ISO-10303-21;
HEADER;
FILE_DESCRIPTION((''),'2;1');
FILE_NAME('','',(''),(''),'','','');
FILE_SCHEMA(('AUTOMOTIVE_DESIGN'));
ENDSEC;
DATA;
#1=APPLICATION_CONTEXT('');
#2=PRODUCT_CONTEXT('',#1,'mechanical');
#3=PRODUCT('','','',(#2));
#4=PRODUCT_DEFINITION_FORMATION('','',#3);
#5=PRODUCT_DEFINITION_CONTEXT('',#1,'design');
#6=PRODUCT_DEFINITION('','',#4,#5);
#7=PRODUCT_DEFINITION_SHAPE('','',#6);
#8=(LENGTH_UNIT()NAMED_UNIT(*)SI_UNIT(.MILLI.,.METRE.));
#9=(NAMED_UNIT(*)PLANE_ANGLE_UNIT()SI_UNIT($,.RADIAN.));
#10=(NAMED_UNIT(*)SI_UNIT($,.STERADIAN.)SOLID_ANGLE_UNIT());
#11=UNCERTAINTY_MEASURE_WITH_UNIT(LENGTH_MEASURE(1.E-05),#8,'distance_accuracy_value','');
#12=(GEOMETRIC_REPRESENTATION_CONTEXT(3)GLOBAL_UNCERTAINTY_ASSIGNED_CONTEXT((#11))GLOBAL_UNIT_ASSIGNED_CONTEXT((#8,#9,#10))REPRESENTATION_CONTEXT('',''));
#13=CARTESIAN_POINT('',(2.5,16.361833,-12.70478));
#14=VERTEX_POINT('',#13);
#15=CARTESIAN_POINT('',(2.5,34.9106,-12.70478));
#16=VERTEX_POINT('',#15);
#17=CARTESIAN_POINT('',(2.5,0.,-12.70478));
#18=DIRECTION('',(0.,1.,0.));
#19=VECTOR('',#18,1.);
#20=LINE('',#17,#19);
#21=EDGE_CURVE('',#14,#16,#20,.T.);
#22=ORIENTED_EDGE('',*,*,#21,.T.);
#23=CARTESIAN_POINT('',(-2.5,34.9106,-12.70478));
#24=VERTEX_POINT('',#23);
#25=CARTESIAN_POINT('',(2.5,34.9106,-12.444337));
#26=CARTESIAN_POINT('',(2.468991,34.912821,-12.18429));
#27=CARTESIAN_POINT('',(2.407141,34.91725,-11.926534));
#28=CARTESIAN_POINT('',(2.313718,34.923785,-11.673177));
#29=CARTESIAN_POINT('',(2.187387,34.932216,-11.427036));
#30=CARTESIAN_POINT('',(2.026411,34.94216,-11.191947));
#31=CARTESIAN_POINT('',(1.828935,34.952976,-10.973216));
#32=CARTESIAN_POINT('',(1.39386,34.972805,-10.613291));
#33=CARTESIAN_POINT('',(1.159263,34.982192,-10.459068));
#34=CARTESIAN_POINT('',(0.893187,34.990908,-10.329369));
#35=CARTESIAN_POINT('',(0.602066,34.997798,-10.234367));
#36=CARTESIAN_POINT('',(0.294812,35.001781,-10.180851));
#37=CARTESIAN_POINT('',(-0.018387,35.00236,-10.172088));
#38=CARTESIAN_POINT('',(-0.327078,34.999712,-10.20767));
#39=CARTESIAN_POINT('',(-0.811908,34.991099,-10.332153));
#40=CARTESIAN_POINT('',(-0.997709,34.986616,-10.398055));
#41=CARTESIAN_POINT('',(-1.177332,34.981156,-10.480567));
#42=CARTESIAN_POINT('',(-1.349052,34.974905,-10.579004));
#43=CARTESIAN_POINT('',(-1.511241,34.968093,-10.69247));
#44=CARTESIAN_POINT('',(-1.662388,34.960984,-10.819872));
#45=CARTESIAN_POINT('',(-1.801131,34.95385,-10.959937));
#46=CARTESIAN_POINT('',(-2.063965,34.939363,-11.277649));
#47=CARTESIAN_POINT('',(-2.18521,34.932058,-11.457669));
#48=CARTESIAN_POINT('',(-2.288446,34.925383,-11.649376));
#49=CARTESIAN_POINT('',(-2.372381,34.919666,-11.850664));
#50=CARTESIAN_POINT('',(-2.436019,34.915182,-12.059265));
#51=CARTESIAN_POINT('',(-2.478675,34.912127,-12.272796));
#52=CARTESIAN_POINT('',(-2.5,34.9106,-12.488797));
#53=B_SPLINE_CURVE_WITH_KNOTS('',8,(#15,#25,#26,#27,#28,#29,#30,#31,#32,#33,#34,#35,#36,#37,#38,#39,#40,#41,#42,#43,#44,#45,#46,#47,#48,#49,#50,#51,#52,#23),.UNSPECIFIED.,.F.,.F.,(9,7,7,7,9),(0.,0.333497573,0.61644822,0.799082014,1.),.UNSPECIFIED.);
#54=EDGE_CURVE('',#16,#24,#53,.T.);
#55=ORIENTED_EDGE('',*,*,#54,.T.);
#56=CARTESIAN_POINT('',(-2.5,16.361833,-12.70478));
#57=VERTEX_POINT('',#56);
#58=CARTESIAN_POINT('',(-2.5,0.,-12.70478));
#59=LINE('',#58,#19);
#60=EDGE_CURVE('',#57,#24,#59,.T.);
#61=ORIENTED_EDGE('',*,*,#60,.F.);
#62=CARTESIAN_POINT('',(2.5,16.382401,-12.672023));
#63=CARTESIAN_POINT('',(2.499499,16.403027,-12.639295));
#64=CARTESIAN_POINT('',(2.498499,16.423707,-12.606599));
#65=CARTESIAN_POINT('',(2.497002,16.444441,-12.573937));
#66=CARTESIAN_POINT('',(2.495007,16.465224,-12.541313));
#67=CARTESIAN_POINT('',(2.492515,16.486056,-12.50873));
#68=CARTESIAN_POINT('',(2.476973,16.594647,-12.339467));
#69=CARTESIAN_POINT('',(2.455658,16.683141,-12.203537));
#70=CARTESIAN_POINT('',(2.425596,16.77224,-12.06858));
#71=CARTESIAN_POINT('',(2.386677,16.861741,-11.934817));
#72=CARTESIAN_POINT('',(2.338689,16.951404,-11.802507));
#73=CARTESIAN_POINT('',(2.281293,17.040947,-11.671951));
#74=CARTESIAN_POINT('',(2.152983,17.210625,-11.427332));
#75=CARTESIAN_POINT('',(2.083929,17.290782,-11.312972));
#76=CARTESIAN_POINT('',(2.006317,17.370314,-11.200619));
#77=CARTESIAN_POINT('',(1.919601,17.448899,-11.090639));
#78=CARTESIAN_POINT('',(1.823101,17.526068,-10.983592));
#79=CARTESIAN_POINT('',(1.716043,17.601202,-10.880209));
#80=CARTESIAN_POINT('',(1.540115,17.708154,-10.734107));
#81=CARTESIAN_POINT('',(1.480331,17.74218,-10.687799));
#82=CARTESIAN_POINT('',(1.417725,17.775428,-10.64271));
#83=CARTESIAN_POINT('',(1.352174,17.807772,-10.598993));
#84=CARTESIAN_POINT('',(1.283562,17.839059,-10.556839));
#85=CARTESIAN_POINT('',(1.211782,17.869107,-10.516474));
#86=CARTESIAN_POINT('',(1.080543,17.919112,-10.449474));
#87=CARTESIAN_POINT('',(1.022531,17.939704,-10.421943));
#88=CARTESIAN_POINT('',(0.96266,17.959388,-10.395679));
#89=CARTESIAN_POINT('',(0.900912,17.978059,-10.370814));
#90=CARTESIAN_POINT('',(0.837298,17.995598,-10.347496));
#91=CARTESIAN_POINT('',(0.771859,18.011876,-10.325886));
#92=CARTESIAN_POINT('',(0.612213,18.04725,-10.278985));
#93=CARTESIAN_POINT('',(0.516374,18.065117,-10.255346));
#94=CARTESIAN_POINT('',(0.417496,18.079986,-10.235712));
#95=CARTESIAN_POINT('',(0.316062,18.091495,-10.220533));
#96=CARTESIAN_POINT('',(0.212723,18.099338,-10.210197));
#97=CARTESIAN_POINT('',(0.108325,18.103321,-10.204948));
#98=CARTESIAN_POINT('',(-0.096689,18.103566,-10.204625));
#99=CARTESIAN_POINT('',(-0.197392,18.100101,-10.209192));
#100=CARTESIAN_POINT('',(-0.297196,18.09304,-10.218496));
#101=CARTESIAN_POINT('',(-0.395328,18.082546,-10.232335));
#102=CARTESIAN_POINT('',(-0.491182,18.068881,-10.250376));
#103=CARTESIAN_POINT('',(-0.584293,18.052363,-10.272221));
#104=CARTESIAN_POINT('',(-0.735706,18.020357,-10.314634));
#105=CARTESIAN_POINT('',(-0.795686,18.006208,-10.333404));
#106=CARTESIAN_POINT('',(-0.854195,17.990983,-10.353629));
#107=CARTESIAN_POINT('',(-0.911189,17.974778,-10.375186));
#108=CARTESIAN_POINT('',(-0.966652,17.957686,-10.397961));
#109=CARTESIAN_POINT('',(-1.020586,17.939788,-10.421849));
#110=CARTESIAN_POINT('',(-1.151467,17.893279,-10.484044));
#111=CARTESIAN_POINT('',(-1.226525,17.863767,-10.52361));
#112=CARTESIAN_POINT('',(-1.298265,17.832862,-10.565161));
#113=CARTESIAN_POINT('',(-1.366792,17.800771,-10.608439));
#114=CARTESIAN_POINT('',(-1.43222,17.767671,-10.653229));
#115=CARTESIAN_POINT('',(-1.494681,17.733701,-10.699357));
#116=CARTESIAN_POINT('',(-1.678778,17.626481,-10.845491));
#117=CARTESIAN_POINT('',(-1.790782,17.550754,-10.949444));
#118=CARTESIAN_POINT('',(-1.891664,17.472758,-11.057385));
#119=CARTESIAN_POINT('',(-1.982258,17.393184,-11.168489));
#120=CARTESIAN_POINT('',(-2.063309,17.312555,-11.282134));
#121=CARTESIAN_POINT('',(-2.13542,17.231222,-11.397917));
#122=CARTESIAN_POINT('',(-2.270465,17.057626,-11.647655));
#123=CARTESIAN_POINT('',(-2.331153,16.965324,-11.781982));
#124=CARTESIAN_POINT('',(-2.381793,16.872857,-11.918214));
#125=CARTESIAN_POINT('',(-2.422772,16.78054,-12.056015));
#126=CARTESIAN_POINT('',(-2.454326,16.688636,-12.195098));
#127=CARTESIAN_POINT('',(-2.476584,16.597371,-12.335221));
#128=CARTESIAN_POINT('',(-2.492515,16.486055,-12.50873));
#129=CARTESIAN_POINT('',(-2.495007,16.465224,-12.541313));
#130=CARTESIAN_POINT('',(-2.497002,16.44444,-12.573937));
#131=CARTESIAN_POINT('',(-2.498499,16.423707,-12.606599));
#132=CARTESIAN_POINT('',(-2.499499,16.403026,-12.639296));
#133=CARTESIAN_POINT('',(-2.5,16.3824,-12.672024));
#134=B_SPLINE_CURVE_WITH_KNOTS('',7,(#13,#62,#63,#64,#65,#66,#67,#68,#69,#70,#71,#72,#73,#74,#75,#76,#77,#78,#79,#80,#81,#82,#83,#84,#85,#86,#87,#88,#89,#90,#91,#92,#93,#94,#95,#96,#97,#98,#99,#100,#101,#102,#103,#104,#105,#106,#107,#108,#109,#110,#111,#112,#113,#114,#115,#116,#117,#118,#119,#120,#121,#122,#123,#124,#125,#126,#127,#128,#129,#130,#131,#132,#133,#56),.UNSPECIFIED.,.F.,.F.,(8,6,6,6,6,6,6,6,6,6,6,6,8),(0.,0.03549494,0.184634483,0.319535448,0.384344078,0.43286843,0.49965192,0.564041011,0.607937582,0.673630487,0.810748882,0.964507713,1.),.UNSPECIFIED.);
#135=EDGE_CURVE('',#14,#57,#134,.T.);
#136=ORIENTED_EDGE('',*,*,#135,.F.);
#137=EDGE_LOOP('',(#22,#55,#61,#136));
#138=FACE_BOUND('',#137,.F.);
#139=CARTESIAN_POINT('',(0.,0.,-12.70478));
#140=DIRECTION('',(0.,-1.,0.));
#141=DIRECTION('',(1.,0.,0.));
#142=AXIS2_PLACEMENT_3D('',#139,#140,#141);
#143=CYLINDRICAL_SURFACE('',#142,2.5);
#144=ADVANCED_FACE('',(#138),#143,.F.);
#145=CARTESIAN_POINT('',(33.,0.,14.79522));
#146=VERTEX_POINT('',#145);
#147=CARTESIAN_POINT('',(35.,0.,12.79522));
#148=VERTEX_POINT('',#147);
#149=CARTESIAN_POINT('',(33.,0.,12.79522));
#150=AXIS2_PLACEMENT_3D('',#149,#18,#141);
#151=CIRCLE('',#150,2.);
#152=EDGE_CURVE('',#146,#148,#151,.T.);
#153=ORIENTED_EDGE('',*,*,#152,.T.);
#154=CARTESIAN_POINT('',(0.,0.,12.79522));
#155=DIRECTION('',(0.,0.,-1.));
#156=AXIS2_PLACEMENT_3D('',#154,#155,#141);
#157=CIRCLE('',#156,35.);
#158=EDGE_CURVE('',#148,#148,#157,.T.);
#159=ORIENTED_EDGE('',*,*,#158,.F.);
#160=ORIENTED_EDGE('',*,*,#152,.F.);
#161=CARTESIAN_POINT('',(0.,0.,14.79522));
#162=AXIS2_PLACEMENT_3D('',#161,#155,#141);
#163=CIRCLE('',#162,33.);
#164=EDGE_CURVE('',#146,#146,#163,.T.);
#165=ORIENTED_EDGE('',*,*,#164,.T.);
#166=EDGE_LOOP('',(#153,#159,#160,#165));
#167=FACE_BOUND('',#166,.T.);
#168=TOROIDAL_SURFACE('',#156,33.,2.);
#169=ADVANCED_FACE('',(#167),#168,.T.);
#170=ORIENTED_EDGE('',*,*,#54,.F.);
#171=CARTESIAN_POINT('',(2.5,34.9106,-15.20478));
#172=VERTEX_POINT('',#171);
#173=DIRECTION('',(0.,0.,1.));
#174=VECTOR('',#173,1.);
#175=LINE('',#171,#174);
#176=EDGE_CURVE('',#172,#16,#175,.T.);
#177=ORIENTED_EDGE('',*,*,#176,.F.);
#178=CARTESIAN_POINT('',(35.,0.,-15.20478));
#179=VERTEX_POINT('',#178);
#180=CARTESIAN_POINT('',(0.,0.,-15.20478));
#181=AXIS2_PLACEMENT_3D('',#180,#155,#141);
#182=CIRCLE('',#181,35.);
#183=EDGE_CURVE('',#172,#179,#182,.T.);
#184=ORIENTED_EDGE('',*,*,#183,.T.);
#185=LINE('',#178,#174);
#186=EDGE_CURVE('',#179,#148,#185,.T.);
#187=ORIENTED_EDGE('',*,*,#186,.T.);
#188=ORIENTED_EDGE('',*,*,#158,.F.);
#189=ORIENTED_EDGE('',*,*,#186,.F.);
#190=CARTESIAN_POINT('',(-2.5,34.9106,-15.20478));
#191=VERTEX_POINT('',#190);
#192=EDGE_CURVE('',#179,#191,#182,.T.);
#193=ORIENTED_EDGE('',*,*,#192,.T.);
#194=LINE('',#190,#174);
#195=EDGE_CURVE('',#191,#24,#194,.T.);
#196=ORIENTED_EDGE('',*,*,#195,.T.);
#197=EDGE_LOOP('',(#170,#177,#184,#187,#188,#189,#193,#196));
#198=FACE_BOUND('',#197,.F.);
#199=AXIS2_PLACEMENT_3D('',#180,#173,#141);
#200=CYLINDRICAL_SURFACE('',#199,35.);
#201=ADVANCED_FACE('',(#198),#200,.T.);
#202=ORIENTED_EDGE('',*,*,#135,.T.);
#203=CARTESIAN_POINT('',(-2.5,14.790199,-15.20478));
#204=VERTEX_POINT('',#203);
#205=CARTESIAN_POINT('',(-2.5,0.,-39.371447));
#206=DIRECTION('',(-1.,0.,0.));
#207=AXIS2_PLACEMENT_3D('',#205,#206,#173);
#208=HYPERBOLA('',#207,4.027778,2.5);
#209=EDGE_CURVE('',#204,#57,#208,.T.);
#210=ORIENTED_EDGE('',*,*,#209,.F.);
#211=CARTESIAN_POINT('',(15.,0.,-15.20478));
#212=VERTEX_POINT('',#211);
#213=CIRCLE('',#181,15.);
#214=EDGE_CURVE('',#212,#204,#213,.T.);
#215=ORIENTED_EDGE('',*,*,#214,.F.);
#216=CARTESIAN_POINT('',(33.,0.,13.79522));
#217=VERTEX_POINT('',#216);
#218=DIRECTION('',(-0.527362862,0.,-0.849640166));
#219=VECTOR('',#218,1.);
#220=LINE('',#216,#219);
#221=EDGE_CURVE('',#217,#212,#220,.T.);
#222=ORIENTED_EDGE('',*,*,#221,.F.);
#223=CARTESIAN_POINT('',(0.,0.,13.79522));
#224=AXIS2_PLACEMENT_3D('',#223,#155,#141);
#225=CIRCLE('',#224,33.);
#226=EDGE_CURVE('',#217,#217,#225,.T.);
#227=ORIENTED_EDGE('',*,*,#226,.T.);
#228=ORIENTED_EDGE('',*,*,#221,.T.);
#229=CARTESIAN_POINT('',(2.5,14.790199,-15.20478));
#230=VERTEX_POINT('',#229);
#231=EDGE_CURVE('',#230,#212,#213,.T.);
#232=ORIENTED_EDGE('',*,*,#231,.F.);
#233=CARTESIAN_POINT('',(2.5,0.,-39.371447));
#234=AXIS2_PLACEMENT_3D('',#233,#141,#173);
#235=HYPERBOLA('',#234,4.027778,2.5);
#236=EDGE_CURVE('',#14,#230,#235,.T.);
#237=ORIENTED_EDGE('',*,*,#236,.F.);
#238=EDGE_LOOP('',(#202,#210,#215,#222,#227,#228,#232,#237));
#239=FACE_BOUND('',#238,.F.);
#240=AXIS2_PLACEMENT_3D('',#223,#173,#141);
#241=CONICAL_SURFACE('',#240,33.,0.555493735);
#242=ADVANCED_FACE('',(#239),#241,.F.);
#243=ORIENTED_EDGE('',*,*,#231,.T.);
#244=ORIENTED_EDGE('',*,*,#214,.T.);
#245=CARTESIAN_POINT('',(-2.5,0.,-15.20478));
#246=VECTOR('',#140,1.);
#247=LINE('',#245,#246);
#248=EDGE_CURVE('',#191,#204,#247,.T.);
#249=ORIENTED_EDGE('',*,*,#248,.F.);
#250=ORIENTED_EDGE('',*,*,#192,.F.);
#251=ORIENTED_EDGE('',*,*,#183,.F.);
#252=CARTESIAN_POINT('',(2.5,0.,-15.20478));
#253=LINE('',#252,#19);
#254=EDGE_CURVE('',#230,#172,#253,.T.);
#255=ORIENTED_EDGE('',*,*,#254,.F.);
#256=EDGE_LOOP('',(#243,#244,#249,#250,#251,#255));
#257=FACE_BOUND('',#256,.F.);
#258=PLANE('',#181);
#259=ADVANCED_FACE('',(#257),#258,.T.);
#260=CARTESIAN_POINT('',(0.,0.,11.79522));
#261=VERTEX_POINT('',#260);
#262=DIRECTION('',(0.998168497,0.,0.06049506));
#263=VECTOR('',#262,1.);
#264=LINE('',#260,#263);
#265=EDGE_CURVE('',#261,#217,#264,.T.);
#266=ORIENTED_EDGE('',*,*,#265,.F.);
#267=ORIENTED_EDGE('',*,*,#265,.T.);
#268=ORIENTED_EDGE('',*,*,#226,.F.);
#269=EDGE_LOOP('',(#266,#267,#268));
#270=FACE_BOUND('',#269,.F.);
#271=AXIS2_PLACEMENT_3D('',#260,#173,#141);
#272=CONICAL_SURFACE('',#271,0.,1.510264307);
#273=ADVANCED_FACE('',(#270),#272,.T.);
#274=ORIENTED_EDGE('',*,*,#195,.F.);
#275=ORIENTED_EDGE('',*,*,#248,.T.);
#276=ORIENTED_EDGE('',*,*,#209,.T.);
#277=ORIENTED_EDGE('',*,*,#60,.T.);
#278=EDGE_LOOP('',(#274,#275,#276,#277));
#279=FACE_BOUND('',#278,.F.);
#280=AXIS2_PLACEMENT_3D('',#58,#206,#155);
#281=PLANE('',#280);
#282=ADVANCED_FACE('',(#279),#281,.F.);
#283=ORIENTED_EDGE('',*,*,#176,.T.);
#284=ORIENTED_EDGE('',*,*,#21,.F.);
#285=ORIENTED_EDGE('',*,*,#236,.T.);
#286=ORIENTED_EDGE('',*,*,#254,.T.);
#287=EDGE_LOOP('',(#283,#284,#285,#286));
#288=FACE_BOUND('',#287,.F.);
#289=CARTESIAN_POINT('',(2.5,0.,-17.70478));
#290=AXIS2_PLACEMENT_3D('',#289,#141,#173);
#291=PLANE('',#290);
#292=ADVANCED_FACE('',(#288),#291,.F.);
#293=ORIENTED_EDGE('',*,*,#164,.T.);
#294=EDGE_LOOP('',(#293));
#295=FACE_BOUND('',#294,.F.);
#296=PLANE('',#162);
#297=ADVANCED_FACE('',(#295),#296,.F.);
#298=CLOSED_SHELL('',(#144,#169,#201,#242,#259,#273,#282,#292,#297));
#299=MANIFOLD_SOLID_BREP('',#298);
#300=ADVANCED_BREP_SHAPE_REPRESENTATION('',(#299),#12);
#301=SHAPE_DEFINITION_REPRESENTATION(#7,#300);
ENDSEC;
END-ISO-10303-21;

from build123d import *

# Parameters (mm, degrees)
F2_R     = 2
F4_DEPTH = 50


with BuildPart() as f1:
    # F0 (on Front) → F1 (revolve)
    with BuildSketch(Plane.XZ):
        Polygon((35, 14.7952197132), (0, 14.7952197132), (0, 11.7952197132), (33, 13.7952197132), (15, -15.2047802868), (35, -15.2047802868), align=None)
    revolve(axis=Axis((0, 0, 13.2952197132), (0, 0, -1)))

    # F2
    f2_edges = [f1.edges().sort_by_distance(p)[0] for p in [
        (-35, 0, 14.79522),
    ]]
    fillet(f2_edges, radius=F2_R)

    # F3 (on Front) → F4 (cut)
    with BuildSketch(Plane.XZ):
        with BuildLine():
            Line((-2.5, -12.7047802868), (2.5, -12.7047802868))
            ThreePointArc((2.5, -12.7047802868), (0, -10.2047802868), (-2.5, -12.7047802868))
        make_face()
        with BuildLine():
            Line((2.5, -17.7047802868), (2.5, -12.7047802868))
            ThreePointArc((2.5, -12.7047802868), (0, -15.2047802868), (-2.5, -12.7047802868))
            Line((-2.5, -12.7047802868), (-2.5, -17.7047802868))
            Line((-2.5, -17.7047802868), (2.5, -17.7047802868))
        make_face()
        with BuildLine():
            ThreePointArc((-2.5, -12.7047802868), (0, -15.2047802868), (2.5, -12.7047802868))
            Line((2.5, -12.7047802868), (-2.5, -12.7047802868))
        make_face()
    extrude(amount=-F4_DEPTH, mode=Mode.SUBTRACT)


solid = f1.part
